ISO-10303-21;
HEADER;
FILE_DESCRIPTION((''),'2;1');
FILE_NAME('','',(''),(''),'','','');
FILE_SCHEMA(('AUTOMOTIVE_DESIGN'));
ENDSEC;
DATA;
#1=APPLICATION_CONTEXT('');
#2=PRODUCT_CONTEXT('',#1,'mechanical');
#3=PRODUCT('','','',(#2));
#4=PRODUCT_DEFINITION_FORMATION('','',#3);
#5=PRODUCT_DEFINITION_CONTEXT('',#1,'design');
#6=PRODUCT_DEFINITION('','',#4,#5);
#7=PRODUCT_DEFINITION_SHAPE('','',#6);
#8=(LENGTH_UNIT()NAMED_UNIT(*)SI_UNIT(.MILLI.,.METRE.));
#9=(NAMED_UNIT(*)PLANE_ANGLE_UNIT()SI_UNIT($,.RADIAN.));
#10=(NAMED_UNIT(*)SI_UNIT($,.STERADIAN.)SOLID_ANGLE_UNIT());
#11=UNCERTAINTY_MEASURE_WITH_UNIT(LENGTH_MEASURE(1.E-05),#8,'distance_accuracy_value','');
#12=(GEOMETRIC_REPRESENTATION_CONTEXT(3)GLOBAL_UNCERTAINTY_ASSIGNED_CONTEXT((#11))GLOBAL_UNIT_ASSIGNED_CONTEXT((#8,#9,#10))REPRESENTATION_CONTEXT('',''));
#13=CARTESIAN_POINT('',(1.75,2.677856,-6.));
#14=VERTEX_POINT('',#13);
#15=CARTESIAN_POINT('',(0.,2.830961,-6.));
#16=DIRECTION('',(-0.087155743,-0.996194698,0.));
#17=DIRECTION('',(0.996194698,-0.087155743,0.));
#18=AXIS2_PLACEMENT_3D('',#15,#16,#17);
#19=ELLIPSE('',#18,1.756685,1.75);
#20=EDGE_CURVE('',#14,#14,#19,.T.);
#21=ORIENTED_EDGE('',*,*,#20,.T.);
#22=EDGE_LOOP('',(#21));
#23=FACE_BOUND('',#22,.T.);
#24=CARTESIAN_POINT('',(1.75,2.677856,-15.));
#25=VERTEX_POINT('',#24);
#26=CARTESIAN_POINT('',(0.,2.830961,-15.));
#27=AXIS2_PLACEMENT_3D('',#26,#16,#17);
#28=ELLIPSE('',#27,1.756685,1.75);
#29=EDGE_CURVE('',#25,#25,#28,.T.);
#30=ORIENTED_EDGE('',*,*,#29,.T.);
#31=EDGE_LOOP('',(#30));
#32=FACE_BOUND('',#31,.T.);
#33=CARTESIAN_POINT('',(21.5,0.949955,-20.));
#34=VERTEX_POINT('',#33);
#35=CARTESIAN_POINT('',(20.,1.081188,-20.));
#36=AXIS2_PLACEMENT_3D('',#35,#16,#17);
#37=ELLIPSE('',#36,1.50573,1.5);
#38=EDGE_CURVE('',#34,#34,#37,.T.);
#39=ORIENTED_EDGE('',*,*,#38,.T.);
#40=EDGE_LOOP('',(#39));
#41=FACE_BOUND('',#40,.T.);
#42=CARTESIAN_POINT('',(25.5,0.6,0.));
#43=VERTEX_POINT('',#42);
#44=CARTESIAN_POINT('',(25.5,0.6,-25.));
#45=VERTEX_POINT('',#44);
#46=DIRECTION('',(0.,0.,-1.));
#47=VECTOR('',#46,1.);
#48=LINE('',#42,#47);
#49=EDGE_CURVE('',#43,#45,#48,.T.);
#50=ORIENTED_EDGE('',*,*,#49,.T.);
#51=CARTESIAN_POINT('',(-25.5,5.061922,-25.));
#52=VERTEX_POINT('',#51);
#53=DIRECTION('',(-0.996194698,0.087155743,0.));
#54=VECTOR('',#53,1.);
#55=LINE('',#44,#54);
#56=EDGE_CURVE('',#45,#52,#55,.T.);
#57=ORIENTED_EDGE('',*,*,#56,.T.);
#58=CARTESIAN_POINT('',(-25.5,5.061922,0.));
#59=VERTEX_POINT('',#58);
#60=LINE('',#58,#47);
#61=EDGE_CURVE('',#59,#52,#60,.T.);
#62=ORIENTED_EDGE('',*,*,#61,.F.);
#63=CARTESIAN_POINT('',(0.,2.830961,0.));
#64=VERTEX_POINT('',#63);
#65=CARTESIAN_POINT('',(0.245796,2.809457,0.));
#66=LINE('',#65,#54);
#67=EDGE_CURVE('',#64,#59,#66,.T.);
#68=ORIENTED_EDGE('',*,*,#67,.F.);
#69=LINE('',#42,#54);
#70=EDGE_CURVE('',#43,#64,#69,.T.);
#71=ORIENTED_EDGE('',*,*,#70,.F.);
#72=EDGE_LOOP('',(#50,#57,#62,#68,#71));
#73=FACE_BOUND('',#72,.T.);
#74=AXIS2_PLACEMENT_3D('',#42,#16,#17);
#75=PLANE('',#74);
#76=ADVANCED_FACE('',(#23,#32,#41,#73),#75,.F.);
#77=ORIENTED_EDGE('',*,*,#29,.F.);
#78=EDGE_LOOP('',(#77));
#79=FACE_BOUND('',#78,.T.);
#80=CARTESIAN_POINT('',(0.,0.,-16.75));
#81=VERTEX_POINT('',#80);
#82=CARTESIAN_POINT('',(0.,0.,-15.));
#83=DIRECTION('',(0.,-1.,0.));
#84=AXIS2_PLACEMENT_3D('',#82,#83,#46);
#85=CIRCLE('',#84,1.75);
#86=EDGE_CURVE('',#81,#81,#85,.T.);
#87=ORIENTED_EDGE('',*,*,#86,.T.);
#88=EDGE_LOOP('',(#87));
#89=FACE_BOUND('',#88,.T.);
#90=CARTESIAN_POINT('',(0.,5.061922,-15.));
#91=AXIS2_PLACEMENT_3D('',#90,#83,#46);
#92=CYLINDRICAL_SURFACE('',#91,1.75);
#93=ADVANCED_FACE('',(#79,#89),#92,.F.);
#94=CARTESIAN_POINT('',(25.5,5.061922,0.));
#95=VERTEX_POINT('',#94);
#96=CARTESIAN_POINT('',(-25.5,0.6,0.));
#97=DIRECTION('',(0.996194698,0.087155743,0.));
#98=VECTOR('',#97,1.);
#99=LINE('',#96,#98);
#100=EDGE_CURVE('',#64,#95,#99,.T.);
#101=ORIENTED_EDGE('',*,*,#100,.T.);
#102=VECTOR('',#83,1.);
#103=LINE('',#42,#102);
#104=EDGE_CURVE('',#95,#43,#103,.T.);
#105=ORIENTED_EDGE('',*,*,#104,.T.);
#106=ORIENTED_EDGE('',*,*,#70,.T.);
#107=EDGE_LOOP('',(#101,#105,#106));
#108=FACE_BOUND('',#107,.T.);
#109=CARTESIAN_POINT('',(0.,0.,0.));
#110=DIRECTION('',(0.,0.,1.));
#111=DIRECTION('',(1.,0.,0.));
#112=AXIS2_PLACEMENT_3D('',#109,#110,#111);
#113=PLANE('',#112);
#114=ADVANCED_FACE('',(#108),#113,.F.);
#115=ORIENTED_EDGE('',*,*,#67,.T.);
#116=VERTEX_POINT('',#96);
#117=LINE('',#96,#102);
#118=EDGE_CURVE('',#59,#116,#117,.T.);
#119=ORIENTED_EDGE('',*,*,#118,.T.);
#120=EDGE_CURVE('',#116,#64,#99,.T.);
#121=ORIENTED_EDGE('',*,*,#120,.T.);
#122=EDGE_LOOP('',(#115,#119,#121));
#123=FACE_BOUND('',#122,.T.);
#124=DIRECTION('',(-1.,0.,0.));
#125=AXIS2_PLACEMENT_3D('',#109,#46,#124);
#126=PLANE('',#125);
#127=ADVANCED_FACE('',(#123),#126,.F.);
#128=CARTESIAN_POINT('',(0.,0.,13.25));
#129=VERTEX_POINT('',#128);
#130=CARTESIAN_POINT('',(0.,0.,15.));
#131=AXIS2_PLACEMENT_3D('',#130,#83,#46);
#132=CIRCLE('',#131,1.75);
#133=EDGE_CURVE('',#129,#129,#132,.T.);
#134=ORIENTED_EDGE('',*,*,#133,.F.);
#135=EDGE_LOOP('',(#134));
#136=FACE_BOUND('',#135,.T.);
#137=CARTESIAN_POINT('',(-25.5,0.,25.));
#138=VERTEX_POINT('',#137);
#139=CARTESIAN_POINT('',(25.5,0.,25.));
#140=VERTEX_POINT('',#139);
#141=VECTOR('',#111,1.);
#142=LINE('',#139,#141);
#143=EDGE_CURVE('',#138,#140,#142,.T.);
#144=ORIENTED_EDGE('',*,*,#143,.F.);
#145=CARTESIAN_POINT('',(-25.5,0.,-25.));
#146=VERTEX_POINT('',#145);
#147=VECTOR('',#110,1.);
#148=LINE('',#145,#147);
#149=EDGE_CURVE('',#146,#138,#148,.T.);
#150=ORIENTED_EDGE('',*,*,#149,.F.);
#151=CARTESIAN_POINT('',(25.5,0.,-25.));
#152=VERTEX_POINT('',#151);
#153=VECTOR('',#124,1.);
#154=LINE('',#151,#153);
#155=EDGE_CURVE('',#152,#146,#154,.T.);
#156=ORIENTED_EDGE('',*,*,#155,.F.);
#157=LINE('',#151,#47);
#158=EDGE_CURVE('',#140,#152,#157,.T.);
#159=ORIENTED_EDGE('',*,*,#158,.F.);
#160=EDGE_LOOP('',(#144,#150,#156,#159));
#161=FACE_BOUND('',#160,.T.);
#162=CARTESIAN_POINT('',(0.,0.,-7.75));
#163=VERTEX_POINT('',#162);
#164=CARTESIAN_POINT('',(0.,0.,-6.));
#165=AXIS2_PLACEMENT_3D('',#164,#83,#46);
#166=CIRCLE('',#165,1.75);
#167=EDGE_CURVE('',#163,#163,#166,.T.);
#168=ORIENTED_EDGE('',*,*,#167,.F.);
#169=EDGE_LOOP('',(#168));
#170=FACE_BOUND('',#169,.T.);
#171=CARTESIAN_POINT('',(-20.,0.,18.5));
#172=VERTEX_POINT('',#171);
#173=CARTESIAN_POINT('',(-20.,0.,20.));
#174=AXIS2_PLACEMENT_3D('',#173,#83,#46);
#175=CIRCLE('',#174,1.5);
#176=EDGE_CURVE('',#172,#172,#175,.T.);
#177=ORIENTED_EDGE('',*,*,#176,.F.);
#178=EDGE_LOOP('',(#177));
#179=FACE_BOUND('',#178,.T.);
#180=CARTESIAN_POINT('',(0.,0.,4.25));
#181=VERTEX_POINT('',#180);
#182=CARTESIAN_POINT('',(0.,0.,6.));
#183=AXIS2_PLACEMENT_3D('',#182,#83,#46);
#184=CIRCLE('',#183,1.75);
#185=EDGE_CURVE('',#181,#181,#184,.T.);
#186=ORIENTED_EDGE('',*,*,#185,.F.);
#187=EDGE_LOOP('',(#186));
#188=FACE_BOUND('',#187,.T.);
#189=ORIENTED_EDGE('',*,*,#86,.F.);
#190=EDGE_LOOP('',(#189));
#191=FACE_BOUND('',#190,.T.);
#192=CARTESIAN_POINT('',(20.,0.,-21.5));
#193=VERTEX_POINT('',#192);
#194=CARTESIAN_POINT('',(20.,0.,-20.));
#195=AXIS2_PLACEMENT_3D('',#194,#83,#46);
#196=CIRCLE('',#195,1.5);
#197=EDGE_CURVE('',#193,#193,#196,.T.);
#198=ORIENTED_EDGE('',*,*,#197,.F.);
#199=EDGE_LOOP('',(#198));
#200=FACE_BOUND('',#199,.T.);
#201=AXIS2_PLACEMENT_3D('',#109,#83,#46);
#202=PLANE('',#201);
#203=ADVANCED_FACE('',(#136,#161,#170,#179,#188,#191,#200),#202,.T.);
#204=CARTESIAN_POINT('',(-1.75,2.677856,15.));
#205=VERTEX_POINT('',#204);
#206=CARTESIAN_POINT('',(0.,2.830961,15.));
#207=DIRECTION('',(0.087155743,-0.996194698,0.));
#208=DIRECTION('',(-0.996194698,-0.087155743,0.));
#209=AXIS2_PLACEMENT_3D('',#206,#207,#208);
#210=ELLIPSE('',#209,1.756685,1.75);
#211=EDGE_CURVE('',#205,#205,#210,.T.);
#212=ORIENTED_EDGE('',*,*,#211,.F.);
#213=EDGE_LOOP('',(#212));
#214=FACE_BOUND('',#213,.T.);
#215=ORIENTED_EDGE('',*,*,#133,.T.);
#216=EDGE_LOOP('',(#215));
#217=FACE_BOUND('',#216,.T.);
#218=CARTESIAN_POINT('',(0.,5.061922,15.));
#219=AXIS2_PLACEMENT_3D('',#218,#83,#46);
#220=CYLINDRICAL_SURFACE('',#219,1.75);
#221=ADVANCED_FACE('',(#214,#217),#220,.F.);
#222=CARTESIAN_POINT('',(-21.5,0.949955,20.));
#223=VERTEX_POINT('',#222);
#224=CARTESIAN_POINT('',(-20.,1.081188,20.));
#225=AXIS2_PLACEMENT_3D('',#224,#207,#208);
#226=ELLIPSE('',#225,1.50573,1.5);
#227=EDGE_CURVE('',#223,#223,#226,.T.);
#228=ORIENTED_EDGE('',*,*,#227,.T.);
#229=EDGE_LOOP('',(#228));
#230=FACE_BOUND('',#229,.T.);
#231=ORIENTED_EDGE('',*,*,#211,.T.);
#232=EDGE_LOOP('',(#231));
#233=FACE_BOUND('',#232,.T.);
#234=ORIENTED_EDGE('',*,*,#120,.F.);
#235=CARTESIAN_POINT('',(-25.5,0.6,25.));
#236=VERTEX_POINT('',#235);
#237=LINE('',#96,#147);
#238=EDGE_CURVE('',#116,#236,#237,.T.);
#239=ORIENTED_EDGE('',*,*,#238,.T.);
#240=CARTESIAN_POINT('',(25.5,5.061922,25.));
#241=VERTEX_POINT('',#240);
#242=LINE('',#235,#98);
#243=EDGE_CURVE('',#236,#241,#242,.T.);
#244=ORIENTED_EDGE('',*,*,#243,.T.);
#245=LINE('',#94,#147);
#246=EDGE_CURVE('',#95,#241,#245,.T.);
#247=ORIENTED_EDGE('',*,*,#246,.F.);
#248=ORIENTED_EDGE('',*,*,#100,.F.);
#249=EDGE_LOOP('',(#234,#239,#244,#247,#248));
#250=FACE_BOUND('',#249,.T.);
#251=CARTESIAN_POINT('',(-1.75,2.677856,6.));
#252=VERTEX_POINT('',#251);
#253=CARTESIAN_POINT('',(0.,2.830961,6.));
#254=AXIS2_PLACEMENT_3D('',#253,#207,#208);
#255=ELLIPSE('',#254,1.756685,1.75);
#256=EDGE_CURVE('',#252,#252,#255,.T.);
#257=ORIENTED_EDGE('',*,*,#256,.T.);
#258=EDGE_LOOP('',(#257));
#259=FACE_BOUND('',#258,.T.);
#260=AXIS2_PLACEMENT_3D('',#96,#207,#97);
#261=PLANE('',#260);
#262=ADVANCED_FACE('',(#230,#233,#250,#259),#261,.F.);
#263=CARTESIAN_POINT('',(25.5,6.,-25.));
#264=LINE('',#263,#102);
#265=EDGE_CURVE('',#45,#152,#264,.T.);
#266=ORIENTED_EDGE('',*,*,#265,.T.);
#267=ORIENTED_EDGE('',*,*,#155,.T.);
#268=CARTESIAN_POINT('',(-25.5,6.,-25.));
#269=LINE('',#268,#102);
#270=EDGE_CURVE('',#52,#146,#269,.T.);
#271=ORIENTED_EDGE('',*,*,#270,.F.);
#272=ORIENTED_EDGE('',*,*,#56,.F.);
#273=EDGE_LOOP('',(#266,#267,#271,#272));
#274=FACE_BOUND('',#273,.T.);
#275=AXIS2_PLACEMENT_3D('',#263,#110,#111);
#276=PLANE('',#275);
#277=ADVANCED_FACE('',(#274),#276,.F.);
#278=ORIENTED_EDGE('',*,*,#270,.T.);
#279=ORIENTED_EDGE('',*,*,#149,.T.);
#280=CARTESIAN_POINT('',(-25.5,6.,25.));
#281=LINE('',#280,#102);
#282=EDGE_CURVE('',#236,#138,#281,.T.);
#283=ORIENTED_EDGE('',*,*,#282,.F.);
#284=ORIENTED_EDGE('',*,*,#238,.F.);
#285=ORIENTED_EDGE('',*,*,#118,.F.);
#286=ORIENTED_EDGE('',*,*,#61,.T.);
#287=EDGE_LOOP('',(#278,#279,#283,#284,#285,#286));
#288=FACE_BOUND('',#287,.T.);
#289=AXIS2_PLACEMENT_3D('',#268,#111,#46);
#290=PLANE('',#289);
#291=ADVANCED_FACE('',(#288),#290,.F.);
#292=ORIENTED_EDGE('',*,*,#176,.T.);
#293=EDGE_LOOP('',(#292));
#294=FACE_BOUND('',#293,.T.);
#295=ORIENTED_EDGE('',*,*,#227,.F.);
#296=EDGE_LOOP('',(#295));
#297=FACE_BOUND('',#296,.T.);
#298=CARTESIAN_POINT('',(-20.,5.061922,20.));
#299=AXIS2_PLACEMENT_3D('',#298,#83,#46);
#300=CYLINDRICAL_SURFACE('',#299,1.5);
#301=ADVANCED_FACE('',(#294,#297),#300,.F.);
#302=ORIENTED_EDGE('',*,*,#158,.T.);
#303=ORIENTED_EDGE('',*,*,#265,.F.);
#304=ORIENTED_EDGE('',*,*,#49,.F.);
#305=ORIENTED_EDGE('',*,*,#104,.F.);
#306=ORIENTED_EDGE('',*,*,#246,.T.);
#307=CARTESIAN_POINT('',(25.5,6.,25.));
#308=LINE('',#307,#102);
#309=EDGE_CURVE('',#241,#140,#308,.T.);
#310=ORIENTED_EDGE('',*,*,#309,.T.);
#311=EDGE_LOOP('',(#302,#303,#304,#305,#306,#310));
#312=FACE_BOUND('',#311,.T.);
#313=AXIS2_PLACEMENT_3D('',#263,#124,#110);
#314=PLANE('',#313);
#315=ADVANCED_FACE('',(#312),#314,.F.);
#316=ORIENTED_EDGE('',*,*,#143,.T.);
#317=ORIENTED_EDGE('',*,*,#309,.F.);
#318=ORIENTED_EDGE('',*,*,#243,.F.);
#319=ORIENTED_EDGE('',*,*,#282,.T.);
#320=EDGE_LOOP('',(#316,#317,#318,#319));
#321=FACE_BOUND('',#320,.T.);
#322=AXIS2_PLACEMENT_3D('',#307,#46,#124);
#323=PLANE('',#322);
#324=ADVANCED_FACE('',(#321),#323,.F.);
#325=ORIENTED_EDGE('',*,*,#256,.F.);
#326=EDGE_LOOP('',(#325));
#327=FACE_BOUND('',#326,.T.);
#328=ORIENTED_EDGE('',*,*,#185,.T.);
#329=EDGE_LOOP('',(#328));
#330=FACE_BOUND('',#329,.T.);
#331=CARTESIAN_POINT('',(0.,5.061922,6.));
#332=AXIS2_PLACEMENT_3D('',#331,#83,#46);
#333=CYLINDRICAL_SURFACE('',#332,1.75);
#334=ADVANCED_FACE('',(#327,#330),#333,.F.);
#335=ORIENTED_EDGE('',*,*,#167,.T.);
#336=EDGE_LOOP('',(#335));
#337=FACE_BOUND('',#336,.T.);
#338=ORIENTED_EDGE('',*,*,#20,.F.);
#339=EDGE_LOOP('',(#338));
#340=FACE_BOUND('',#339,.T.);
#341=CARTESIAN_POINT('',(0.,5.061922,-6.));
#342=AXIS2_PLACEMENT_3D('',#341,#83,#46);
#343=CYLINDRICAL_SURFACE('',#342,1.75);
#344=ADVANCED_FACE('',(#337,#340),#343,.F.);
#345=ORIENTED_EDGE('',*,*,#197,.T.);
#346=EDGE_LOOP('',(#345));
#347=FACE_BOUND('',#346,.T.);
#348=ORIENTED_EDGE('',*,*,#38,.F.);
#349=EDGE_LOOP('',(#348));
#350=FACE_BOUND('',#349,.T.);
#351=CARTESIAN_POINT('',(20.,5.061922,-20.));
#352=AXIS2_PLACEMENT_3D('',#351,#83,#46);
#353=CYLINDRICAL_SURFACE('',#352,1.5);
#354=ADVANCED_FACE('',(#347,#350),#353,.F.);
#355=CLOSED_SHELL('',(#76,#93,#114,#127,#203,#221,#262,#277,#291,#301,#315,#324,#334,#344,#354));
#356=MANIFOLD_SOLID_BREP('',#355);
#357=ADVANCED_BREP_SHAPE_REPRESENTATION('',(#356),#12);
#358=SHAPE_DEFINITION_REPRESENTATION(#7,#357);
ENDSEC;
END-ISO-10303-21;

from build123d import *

# Parameters (mm, degrees)
ESBO_O2_W                  = 51
ESBO_O2_H                  = 50
RESSALTO_EXTRUS_O2_DEPTH   = 6
CORTE_EXTRUS_O1_DEPTH      = 25
CORTE_EXTRUS_O3_DEPTH      = 25
CORTE_EXTRUS_O5_DEPTH      = 37.067617785
CORTE_EXTRUS_O5_DEPTH_BACK = 37.067617785
ESBO_O5_R                  = 1.75
ESBO_O7_R                  = 1.5
CORTE_EXTRUS_O6_DEPTH      = 37.067617785


with BuildPart() as part:
    # Esboço2 → Ressalto-extrusão2 (new body)
    with BuildSketch(Plane(origin=(0, 0, 0), x_dir=(1, 0, 0), z_dir=(0, 1, 0))):
        Rectangle(ESBO_O2_W, ESBO_O2_H)
    extrude(amount=RESSALTO_EXTRUS_O2_DEPTH)

    # Esboço3 → Corte-extrusão1 (cut)
    with BuildSketch(Plane.XY.offset(25)):
        Polygon((-25.5, 0.6), (25.5, 5.06192184), (25.5, 6), (-25.5, 6), align=None)
    extrude(amount=-CORTE_EXTRUS_O1_DEPTH, mode=Mode.SUBTRACT)

    # Esboço4 → Corte-extrusão3 (cut)
    with BuildSketch(Plane(origin=(0, 0, -25), x_dir=(-1, 0, 0), z_dir=(0, 0, -1))):
        Polygon((-25.5, 0.6), (25.5, 5.06192184), (25.5, 6), (-25.5, 6), align=None)
    extrude(amount=-CORTE_EXTRUS_O3_DEPTH, mode=Mode.SUBTRACT)

    # Esboço5 → Corte-extrusão5 (cut, two sides: drawn at the far end of the back side and taken through both)
    with BuildSketch(Plane.XZ.offset(-CORTE_EXTRUS_O5_DEPTH_BACK)):
        with Locations((0, 6)):
            Circle(ESBO_O5_R)
        with Locations((0, 15)):
            Circle(ESBO_O5_R)
        with Locations((0, -15)):
            Circle(ESBO_O5_R)
        with Locations((0, -6)):
            Circle(ESBO_O5_R)
    extrude(amount=CORTE_EXTRUS_O5_DEPTH + CORTE_EXTRUS_O5_DEPTH_BACK, mode=Mode.SUBTRACT)

    # Esboço7 → Corte-extrusão6 (cut, through all)
    with BuildSketch(Plane.XZ):
        with Locations((-20, 20)):
            Circle(ESBO_O7_R)
        with Locations((20, -20)):
            Circle(ESBO_O7_R)
    extrude(amount=-CORTE_EXTRUS_O6_DEPTH, mode=Mode.SUBTRACT)


solid = part.part
